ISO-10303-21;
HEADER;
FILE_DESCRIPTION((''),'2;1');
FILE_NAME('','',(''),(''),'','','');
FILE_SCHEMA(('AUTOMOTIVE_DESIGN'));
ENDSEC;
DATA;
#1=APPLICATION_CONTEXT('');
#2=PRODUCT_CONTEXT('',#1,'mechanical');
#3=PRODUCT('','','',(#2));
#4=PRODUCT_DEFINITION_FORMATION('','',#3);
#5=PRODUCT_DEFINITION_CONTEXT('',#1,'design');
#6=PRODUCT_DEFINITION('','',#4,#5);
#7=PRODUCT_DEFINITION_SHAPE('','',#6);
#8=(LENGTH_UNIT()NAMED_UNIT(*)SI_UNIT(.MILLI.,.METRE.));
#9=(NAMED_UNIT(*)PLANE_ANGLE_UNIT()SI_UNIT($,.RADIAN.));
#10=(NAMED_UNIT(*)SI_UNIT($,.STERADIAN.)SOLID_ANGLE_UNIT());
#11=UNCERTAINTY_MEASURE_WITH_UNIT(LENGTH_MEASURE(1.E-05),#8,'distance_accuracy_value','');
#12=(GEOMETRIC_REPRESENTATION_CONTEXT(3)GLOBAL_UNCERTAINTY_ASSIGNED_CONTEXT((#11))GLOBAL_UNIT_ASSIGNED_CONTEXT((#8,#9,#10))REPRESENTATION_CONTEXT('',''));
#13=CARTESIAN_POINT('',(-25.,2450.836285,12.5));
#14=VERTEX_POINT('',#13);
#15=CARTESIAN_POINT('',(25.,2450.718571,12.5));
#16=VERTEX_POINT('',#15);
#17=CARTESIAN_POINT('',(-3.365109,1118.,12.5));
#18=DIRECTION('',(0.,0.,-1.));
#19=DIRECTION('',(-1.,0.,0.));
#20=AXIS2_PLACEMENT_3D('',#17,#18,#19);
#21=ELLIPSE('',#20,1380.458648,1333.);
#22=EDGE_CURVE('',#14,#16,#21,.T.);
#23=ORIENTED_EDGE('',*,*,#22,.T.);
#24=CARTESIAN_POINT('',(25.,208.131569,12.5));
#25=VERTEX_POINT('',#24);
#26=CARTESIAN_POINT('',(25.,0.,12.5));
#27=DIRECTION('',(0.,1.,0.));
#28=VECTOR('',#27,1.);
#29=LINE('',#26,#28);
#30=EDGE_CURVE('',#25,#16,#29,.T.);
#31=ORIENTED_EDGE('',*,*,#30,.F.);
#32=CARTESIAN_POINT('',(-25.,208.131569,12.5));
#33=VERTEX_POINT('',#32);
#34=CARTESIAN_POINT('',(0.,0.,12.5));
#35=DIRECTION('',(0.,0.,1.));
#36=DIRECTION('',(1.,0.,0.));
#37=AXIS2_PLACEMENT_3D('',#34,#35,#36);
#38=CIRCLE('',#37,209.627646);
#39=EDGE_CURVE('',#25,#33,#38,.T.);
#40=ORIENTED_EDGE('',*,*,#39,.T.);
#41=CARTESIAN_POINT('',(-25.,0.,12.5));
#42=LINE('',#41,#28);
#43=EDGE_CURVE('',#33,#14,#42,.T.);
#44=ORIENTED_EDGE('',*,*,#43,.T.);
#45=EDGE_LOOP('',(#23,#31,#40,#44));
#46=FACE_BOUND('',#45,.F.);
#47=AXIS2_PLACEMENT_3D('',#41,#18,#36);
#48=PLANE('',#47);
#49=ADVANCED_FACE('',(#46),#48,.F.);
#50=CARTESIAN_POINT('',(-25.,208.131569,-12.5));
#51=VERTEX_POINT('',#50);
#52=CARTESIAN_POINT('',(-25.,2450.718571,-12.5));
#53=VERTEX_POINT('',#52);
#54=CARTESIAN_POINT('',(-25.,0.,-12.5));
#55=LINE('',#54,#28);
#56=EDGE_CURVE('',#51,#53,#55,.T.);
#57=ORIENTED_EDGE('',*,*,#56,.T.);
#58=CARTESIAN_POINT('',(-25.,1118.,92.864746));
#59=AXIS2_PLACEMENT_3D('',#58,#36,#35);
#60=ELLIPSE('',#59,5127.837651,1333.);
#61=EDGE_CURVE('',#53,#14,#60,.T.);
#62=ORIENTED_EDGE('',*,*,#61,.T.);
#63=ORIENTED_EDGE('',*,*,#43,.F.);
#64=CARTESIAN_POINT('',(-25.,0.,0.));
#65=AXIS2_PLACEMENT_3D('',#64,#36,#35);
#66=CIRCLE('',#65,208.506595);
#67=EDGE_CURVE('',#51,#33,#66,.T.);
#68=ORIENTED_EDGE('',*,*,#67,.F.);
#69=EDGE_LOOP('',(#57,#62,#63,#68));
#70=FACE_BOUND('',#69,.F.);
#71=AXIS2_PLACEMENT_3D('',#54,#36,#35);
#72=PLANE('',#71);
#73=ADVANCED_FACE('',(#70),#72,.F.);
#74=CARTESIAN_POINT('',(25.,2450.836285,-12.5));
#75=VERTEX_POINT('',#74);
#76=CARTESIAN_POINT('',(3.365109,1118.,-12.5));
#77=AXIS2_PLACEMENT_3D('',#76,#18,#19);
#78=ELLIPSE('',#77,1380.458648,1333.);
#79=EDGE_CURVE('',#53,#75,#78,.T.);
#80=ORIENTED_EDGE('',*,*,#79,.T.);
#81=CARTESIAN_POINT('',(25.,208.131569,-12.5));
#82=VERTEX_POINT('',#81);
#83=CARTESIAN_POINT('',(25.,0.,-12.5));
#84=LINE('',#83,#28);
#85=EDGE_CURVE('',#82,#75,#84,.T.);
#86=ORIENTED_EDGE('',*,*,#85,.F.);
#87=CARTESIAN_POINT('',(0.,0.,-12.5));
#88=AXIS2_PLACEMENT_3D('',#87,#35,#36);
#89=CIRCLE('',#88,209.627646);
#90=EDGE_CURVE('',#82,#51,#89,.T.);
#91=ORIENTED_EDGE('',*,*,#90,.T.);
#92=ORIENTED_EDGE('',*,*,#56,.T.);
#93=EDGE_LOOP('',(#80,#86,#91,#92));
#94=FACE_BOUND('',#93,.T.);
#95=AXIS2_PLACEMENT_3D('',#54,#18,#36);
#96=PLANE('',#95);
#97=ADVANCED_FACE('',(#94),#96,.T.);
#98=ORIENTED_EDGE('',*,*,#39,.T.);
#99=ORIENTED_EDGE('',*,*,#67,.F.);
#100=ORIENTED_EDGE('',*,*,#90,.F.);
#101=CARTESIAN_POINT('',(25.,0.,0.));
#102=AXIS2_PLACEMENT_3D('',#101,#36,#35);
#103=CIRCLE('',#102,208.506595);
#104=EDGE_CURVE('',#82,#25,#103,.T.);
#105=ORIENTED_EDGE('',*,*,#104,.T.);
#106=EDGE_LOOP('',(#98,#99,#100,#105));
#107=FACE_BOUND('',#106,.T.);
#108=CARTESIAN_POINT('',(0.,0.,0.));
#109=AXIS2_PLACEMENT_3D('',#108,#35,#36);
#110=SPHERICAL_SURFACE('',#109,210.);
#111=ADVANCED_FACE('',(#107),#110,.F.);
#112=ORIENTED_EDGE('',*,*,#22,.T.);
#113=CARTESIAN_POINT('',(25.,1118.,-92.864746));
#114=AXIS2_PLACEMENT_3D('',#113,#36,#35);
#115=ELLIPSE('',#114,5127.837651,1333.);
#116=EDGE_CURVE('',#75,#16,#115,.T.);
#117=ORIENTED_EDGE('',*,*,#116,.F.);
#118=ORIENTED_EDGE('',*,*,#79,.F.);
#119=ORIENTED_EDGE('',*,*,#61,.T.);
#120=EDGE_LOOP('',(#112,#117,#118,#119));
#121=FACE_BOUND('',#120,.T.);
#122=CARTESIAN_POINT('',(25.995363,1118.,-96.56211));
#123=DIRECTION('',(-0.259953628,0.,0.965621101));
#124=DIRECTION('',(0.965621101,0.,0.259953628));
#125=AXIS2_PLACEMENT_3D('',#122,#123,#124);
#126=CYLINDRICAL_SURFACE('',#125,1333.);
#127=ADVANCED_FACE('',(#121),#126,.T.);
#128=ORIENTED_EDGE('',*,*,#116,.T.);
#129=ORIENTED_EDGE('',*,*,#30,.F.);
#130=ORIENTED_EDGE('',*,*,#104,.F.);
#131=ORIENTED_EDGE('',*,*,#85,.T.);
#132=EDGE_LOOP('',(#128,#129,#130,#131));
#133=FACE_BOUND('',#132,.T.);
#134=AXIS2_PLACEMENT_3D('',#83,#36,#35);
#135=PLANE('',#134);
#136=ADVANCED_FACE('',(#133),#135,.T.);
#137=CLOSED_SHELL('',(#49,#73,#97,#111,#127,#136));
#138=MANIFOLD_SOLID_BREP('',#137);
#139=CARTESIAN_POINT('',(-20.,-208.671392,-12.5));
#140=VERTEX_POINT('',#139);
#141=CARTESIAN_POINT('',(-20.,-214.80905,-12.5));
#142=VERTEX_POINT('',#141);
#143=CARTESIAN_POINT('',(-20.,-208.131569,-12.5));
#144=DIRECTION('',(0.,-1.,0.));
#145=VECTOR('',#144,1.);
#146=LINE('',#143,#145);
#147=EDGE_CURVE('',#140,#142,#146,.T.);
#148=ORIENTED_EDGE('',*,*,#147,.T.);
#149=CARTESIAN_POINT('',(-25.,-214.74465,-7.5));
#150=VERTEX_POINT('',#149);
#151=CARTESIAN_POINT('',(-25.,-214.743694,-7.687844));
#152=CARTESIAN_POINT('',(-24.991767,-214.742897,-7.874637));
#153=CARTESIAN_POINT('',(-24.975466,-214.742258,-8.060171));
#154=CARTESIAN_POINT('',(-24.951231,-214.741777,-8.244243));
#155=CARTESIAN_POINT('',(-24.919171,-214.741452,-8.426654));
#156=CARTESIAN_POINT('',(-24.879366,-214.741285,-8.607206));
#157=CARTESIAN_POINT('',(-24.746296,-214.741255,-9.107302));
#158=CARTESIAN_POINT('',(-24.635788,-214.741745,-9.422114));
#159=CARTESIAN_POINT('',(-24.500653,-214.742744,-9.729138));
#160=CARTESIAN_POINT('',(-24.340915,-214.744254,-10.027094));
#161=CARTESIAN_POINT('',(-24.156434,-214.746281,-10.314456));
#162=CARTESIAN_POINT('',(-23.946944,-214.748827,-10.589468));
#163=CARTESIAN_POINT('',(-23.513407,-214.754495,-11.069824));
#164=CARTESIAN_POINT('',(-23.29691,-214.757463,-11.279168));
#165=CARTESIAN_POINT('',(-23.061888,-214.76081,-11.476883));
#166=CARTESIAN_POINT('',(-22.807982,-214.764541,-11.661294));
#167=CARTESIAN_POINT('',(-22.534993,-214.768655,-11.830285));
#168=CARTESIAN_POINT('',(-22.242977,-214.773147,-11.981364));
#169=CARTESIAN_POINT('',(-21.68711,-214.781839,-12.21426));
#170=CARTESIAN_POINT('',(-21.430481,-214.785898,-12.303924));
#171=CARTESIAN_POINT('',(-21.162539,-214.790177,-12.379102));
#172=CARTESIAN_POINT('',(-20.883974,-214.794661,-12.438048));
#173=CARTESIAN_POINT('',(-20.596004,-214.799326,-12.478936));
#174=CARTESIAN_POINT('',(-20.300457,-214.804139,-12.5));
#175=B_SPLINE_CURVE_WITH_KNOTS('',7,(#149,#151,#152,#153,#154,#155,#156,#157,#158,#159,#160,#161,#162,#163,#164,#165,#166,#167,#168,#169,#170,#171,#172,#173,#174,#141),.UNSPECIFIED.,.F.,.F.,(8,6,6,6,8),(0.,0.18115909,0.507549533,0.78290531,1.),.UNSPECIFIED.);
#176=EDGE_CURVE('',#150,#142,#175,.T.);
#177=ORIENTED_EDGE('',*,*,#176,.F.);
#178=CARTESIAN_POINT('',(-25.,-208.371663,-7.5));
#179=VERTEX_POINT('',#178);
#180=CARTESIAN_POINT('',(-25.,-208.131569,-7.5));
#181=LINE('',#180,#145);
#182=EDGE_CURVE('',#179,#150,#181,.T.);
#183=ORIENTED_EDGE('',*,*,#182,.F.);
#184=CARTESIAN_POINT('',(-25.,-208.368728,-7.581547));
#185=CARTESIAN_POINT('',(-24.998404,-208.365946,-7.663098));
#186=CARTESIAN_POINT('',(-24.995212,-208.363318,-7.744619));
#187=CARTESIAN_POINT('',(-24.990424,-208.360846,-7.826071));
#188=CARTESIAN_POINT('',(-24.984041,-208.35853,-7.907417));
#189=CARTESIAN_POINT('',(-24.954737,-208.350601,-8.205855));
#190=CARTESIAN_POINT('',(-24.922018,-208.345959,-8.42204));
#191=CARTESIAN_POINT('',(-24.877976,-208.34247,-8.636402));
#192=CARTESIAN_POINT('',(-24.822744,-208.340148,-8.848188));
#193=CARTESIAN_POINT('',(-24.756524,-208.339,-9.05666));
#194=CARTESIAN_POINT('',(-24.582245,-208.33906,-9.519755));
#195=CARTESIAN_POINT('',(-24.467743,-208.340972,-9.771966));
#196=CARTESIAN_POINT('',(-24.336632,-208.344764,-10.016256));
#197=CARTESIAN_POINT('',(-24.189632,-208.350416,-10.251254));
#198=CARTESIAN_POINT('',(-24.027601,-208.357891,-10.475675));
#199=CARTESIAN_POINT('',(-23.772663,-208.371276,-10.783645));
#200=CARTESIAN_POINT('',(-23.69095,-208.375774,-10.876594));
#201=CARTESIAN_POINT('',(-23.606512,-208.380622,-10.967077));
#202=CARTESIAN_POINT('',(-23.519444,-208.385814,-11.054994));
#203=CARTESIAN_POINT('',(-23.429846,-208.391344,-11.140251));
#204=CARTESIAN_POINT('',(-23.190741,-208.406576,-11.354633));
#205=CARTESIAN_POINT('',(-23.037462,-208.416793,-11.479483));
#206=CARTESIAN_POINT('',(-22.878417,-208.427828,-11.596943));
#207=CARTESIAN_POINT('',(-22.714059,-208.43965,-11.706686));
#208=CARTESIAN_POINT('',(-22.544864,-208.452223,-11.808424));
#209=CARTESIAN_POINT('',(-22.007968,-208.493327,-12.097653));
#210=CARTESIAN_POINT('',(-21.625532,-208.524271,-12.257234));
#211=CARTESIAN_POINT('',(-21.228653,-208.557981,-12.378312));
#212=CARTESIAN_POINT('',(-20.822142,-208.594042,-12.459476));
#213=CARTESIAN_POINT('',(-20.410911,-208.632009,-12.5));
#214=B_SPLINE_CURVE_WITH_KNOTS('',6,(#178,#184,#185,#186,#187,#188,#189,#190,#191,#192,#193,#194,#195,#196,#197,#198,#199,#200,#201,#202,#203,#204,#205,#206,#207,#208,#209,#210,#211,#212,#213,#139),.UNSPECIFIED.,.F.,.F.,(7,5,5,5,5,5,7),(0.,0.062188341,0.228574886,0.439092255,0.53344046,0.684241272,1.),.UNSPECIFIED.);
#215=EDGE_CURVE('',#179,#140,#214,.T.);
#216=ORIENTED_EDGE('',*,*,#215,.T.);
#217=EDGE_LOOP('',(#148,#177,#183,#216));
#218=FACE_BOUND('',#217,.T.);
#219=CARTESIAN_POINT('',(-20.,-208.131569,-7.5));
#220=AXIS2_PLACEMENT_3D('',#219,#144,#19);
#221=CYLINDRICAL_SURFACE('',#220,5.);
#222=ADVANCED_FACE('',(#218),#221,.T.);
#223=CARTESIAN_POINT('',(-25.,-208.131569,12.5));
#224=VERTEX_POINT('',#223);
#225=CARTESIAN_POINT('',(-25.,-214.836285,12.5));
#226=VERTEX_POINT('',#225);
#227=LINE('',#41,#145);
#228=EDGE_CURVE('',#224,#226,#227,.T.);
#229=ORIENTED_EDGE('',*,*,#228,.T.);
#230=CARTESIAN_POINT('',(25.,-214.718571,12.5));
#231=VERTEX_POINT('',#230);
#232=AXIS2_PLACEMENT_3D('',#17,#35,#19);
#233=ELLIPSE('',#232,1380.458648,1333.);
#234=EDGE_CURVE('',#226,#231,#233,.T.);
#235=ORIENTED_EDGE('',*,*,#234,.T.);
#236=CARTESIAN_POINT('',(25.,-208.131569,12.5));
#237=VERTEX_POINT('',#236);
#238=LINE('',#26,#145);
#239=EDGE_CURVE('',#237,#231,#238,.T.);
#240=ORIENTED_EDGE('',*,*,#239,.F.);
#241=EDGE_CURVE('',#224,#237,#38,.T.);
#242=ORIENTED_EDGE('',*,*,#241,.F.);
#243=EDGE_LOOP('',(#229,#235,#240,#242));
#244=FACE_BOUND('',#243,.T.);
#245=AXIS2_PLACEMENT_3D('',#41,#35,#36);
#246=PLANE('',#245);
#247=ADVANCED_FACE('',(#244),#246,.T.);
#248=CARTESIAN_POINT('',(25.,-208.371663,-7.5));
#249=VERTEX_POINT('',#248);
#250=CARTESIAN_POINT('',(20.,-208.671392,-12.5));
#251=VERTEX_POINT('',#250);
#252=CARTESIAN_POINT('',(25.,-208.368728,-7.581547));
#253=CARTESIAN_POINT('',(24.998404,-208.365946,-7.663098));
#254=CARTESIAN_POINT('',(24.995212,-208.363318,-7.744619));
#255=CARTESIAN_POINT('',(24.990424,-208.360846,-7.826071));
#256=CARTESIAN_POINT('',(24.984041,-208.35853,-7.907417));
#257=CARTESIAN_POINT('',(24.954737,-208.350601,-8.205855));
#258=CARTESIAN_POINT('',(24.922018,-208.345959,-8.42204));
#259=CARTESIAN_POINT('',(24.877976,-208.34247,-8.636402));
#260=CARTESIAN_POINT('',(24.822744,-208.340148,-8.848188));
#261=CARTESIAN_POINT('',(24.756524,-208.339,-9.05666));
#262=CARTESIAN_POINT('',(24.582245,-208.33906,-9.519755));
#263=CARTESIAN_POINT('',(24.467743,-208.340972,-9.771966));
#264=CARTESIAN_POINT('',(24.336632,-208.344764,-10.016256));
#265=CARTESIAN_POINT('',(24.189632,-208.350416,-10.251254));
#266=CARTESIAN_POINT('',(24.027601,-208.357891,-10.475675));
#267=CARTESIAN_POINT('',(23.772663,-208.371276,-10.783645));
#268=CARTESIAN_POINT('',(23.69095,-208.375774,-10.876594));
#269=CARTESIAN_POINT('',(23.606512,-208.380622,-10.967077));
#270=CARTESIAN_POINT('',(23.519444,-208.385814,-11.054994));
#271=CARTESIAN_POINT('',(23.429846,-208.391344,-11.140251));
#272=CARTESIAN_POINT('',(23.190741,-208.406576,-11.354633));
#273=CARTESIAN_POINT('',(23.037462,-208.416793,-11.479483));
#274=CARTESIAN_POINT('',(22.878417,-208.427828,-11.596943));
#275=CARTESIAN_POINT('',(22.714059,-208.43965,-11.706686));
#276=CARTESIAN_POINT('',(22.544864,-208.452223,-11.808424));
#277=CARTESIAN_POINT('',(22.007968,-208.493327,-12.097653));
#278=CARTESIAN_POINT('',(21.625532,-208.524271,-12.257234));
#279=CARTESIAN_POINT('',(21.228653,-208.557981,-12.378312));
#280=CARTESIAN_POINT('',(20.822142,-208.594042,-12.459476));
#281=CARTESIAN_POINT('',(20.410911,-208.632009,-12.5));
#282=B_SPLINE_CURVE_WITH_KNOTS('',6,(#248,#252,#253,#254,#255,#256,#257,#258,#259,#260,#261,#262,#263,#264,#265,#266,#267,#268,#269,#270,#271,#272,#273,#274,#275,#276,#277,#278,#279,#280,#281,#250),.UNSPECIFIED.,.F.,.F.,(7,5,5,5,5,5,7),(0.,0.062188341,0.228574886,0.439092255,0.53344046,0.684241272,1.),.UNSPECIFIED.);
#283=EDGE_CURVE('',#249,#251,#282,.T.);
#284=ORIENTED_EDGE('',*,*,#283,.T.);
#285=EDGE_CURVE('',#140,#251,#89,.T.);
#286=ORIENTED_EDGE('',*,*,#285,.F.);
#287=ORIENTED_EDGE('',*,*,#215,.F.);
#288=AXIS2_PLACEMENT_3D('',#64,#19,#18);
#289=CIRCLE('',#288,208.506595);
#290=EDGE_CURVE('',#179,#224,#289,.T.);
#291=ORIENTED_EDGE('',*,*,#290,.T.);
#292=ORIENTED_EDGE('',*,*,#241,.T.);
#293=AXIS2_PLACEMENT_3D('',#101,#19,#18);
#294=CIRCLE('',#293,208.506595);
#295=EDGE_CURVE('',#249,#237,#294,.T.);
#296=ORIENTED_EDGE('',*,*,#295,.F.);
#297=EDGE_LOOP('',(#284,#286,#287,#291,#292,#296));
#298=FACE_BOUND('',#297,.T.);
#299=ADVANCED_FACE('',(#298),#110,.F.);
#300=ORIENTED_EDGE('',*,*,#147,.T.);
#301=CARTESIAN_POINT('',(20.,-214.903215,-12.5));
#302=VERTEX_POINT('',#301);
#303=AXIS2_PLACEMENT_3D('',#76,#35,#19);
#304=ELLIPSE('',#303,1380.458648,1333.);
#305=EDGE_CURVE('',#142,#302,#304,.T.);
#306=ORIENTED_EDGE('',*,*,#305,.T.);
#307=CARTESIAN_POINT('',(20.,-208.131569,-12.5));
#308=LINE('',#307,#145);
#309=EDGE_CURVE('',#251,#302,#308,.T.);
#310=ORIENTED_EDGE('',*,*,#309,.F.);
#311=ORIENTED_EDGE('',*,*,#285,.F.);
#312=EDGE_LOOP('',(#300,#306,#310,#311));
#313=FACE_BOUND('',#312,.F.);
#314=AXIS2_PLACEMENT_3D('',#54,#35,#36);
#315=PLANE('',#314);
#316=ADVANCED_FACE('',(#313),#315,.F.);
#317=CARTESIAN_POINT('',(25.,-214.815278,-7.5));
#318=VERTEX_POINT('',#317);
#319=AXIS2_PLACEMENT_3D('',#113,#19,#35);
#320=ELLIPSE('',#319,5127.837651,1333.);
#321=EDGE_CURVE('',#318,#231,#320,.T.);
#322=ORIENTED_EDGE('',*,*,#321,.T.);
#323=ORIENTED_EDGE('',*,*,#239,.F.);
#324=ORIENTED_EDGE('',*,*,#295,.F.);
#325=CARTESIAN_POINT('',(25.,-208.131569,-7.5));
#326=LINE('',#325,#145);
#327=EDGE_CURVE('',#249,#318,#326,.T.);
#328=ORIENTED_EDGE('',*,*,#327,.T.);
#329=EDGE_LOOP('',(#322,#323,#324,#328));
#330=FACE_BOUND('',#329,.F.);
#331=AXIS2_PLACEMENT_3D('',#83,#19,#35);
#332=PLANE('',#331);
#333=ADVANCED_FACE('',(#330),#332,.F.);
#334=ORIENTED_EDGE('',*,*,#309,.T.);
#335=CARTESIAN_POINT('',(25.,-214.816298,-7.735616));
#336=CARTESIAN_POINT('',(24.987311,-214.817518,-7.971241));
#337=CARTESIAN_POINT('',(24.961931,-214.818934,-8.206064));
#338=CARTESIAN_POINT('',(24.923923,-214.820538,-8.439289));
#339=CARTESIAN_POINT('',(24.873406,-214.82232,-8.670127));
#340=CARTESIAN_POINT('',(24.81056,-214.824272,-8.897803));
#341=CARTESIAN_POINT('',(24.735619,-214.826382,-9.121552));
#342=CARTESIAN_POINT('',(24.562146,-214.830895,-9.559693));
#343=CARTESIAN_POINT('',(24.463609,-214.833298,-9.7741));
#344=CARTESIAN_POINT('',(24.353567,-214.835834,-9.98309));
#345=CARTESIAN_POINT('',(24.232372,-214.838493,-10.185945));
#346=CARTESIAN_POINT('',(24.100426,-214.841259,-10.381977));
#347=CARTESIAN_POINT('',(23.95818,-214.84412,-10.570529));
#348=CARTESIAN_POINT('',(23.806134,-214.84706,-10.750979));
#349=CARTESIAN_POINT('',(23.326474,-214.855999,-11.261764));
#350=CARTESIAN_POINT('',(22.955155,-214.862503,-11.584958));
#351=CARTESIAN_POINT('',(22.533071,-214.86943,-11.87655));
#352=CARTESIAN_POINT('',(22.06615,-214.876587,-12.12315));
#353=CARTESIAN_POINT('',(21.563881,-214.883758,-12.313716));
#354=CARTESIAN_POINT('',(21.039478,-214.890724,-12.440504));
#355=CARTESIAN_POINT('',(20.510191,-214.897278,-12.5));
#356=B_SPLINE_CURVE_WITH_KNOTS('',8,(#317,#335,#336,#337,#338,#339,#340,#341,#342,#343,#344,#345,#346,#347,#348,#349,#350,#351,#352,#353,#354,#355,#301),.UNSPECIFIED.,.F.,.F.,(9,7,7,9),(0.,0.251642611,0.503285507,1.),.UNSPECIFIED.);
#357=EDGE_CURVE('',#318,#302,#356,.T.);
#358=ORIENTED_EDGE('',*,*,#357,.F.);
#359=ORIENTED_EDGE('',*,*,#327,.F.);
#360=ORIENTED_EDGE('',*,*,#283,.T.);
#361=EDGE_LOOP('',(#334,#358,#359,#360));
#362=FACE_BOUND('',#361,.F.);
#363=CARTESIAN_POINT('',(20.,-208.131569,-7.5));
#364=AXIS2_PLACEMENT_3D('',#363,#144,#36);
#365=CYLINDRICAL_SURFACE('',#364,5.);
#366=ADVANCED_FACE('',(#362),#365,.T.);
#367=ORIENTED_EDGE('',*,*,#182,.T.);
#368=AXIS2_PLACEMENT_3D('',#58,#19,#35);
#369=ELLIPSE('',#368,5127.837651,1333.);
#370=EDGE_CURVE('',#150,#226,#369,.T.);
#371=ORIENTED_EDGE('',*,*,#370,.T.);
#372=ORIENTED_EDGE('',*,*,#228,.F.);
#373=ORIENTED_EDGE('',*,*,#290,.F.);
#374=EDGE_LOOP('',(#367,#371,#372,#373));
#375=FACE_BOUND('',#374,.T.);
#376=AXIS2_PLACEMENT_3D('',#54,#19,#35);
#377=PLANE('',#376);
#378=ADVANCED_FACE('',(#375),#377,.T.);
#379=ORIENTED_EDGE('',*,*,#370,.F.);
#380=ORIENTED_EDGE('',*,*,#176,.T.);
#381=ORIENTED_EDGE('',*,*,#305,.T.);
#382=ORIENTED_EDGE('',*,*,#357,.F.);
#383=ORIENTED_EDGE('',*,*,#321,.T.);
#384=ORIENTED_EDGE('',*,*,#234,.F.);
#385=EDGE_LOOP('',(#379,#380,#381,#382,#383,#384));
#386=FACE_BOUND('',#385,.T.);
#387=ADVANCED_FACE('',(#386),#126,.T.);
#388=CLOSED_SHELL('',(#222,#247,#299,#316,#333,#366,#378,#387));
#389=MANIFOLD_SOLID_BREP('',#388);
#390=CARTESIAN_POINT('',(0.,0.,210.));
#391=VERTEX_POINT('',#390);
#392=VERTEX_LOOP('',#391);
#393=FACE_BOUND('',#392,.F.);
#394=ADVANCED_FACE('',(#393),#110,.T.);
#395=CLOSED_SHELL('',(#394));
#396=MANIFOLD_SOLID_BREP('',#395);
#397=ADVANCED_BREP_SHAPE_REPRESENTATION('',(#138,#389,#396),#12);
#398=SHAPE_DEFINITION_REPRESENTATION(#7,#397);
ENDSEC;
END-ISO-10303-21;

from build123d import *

# Parameters (mm, degrees)
F5_W          = 3288.2778644562
F5_H          = 2785.3727340698
F5_W_2        = 50
F5_H_2        = 25
F7_DEPTH      = 2451.0010001
F7_DEPTH_BACK = 215.0010001
F8_R          = 5


with BuildPart() as f3:
    # F0 (on Front) → F3 (revolve)
    with BuildSketch(Plane.XZ):
        with BuildLine():
            ThreePointArc((0, -210), (210, 0), (0, 210))
            Line((0, 210), (0, -210))
        make_face()
    revolve(axis=Axis((0, 0, 0), (0, 0, -1)))


with BuildPart() as f4:
    # F2 (on offset) → F4 (revolve)
    with BuildSketch(Plane.XZ.offset(-1118)):
        Polygon((-26.3137963981, 97.7449604244), (25.676929157, -95.3792598491), (1313.1682909006, 249.9560756878), (1261.1775653455, 443.0802959613), align=None)
    revolve(axis=Axis((-0.3184336205, 1118, 1.1828502876), (-0.2599536278, 0, 0.9656211014)))

    # F6: cut F3
    add(f3.part, mode=Mode.SUBTRACT)

    # F5 (on Front) → F7 (cut, two sides)
    with BuildSketch(Plane.XZ) as f7_sk:
        Rectangle(F5_W, F5_H)
        Rectangle(F5_W_2, F5_H_2, mode=Mode.SUBTRACT)
    extrude(amount=-F7_DEPTH, mode=Mode.SUBTRACT)
    extrude(f7_sk.sketch, amount=F7_DEPTH_BACK, mode=Mode.SUBTRACT)

    # F8
    f8_edges = [f4.edges().sort_by_distance(p)[0] for p in [
        (-25, -211.42507, -12.5),
        (25, -211.483927, -12.5),
    ]]
    fillet(f8_edges, radius=F8_R)


solid = Compound([f3.part, f4.part])
